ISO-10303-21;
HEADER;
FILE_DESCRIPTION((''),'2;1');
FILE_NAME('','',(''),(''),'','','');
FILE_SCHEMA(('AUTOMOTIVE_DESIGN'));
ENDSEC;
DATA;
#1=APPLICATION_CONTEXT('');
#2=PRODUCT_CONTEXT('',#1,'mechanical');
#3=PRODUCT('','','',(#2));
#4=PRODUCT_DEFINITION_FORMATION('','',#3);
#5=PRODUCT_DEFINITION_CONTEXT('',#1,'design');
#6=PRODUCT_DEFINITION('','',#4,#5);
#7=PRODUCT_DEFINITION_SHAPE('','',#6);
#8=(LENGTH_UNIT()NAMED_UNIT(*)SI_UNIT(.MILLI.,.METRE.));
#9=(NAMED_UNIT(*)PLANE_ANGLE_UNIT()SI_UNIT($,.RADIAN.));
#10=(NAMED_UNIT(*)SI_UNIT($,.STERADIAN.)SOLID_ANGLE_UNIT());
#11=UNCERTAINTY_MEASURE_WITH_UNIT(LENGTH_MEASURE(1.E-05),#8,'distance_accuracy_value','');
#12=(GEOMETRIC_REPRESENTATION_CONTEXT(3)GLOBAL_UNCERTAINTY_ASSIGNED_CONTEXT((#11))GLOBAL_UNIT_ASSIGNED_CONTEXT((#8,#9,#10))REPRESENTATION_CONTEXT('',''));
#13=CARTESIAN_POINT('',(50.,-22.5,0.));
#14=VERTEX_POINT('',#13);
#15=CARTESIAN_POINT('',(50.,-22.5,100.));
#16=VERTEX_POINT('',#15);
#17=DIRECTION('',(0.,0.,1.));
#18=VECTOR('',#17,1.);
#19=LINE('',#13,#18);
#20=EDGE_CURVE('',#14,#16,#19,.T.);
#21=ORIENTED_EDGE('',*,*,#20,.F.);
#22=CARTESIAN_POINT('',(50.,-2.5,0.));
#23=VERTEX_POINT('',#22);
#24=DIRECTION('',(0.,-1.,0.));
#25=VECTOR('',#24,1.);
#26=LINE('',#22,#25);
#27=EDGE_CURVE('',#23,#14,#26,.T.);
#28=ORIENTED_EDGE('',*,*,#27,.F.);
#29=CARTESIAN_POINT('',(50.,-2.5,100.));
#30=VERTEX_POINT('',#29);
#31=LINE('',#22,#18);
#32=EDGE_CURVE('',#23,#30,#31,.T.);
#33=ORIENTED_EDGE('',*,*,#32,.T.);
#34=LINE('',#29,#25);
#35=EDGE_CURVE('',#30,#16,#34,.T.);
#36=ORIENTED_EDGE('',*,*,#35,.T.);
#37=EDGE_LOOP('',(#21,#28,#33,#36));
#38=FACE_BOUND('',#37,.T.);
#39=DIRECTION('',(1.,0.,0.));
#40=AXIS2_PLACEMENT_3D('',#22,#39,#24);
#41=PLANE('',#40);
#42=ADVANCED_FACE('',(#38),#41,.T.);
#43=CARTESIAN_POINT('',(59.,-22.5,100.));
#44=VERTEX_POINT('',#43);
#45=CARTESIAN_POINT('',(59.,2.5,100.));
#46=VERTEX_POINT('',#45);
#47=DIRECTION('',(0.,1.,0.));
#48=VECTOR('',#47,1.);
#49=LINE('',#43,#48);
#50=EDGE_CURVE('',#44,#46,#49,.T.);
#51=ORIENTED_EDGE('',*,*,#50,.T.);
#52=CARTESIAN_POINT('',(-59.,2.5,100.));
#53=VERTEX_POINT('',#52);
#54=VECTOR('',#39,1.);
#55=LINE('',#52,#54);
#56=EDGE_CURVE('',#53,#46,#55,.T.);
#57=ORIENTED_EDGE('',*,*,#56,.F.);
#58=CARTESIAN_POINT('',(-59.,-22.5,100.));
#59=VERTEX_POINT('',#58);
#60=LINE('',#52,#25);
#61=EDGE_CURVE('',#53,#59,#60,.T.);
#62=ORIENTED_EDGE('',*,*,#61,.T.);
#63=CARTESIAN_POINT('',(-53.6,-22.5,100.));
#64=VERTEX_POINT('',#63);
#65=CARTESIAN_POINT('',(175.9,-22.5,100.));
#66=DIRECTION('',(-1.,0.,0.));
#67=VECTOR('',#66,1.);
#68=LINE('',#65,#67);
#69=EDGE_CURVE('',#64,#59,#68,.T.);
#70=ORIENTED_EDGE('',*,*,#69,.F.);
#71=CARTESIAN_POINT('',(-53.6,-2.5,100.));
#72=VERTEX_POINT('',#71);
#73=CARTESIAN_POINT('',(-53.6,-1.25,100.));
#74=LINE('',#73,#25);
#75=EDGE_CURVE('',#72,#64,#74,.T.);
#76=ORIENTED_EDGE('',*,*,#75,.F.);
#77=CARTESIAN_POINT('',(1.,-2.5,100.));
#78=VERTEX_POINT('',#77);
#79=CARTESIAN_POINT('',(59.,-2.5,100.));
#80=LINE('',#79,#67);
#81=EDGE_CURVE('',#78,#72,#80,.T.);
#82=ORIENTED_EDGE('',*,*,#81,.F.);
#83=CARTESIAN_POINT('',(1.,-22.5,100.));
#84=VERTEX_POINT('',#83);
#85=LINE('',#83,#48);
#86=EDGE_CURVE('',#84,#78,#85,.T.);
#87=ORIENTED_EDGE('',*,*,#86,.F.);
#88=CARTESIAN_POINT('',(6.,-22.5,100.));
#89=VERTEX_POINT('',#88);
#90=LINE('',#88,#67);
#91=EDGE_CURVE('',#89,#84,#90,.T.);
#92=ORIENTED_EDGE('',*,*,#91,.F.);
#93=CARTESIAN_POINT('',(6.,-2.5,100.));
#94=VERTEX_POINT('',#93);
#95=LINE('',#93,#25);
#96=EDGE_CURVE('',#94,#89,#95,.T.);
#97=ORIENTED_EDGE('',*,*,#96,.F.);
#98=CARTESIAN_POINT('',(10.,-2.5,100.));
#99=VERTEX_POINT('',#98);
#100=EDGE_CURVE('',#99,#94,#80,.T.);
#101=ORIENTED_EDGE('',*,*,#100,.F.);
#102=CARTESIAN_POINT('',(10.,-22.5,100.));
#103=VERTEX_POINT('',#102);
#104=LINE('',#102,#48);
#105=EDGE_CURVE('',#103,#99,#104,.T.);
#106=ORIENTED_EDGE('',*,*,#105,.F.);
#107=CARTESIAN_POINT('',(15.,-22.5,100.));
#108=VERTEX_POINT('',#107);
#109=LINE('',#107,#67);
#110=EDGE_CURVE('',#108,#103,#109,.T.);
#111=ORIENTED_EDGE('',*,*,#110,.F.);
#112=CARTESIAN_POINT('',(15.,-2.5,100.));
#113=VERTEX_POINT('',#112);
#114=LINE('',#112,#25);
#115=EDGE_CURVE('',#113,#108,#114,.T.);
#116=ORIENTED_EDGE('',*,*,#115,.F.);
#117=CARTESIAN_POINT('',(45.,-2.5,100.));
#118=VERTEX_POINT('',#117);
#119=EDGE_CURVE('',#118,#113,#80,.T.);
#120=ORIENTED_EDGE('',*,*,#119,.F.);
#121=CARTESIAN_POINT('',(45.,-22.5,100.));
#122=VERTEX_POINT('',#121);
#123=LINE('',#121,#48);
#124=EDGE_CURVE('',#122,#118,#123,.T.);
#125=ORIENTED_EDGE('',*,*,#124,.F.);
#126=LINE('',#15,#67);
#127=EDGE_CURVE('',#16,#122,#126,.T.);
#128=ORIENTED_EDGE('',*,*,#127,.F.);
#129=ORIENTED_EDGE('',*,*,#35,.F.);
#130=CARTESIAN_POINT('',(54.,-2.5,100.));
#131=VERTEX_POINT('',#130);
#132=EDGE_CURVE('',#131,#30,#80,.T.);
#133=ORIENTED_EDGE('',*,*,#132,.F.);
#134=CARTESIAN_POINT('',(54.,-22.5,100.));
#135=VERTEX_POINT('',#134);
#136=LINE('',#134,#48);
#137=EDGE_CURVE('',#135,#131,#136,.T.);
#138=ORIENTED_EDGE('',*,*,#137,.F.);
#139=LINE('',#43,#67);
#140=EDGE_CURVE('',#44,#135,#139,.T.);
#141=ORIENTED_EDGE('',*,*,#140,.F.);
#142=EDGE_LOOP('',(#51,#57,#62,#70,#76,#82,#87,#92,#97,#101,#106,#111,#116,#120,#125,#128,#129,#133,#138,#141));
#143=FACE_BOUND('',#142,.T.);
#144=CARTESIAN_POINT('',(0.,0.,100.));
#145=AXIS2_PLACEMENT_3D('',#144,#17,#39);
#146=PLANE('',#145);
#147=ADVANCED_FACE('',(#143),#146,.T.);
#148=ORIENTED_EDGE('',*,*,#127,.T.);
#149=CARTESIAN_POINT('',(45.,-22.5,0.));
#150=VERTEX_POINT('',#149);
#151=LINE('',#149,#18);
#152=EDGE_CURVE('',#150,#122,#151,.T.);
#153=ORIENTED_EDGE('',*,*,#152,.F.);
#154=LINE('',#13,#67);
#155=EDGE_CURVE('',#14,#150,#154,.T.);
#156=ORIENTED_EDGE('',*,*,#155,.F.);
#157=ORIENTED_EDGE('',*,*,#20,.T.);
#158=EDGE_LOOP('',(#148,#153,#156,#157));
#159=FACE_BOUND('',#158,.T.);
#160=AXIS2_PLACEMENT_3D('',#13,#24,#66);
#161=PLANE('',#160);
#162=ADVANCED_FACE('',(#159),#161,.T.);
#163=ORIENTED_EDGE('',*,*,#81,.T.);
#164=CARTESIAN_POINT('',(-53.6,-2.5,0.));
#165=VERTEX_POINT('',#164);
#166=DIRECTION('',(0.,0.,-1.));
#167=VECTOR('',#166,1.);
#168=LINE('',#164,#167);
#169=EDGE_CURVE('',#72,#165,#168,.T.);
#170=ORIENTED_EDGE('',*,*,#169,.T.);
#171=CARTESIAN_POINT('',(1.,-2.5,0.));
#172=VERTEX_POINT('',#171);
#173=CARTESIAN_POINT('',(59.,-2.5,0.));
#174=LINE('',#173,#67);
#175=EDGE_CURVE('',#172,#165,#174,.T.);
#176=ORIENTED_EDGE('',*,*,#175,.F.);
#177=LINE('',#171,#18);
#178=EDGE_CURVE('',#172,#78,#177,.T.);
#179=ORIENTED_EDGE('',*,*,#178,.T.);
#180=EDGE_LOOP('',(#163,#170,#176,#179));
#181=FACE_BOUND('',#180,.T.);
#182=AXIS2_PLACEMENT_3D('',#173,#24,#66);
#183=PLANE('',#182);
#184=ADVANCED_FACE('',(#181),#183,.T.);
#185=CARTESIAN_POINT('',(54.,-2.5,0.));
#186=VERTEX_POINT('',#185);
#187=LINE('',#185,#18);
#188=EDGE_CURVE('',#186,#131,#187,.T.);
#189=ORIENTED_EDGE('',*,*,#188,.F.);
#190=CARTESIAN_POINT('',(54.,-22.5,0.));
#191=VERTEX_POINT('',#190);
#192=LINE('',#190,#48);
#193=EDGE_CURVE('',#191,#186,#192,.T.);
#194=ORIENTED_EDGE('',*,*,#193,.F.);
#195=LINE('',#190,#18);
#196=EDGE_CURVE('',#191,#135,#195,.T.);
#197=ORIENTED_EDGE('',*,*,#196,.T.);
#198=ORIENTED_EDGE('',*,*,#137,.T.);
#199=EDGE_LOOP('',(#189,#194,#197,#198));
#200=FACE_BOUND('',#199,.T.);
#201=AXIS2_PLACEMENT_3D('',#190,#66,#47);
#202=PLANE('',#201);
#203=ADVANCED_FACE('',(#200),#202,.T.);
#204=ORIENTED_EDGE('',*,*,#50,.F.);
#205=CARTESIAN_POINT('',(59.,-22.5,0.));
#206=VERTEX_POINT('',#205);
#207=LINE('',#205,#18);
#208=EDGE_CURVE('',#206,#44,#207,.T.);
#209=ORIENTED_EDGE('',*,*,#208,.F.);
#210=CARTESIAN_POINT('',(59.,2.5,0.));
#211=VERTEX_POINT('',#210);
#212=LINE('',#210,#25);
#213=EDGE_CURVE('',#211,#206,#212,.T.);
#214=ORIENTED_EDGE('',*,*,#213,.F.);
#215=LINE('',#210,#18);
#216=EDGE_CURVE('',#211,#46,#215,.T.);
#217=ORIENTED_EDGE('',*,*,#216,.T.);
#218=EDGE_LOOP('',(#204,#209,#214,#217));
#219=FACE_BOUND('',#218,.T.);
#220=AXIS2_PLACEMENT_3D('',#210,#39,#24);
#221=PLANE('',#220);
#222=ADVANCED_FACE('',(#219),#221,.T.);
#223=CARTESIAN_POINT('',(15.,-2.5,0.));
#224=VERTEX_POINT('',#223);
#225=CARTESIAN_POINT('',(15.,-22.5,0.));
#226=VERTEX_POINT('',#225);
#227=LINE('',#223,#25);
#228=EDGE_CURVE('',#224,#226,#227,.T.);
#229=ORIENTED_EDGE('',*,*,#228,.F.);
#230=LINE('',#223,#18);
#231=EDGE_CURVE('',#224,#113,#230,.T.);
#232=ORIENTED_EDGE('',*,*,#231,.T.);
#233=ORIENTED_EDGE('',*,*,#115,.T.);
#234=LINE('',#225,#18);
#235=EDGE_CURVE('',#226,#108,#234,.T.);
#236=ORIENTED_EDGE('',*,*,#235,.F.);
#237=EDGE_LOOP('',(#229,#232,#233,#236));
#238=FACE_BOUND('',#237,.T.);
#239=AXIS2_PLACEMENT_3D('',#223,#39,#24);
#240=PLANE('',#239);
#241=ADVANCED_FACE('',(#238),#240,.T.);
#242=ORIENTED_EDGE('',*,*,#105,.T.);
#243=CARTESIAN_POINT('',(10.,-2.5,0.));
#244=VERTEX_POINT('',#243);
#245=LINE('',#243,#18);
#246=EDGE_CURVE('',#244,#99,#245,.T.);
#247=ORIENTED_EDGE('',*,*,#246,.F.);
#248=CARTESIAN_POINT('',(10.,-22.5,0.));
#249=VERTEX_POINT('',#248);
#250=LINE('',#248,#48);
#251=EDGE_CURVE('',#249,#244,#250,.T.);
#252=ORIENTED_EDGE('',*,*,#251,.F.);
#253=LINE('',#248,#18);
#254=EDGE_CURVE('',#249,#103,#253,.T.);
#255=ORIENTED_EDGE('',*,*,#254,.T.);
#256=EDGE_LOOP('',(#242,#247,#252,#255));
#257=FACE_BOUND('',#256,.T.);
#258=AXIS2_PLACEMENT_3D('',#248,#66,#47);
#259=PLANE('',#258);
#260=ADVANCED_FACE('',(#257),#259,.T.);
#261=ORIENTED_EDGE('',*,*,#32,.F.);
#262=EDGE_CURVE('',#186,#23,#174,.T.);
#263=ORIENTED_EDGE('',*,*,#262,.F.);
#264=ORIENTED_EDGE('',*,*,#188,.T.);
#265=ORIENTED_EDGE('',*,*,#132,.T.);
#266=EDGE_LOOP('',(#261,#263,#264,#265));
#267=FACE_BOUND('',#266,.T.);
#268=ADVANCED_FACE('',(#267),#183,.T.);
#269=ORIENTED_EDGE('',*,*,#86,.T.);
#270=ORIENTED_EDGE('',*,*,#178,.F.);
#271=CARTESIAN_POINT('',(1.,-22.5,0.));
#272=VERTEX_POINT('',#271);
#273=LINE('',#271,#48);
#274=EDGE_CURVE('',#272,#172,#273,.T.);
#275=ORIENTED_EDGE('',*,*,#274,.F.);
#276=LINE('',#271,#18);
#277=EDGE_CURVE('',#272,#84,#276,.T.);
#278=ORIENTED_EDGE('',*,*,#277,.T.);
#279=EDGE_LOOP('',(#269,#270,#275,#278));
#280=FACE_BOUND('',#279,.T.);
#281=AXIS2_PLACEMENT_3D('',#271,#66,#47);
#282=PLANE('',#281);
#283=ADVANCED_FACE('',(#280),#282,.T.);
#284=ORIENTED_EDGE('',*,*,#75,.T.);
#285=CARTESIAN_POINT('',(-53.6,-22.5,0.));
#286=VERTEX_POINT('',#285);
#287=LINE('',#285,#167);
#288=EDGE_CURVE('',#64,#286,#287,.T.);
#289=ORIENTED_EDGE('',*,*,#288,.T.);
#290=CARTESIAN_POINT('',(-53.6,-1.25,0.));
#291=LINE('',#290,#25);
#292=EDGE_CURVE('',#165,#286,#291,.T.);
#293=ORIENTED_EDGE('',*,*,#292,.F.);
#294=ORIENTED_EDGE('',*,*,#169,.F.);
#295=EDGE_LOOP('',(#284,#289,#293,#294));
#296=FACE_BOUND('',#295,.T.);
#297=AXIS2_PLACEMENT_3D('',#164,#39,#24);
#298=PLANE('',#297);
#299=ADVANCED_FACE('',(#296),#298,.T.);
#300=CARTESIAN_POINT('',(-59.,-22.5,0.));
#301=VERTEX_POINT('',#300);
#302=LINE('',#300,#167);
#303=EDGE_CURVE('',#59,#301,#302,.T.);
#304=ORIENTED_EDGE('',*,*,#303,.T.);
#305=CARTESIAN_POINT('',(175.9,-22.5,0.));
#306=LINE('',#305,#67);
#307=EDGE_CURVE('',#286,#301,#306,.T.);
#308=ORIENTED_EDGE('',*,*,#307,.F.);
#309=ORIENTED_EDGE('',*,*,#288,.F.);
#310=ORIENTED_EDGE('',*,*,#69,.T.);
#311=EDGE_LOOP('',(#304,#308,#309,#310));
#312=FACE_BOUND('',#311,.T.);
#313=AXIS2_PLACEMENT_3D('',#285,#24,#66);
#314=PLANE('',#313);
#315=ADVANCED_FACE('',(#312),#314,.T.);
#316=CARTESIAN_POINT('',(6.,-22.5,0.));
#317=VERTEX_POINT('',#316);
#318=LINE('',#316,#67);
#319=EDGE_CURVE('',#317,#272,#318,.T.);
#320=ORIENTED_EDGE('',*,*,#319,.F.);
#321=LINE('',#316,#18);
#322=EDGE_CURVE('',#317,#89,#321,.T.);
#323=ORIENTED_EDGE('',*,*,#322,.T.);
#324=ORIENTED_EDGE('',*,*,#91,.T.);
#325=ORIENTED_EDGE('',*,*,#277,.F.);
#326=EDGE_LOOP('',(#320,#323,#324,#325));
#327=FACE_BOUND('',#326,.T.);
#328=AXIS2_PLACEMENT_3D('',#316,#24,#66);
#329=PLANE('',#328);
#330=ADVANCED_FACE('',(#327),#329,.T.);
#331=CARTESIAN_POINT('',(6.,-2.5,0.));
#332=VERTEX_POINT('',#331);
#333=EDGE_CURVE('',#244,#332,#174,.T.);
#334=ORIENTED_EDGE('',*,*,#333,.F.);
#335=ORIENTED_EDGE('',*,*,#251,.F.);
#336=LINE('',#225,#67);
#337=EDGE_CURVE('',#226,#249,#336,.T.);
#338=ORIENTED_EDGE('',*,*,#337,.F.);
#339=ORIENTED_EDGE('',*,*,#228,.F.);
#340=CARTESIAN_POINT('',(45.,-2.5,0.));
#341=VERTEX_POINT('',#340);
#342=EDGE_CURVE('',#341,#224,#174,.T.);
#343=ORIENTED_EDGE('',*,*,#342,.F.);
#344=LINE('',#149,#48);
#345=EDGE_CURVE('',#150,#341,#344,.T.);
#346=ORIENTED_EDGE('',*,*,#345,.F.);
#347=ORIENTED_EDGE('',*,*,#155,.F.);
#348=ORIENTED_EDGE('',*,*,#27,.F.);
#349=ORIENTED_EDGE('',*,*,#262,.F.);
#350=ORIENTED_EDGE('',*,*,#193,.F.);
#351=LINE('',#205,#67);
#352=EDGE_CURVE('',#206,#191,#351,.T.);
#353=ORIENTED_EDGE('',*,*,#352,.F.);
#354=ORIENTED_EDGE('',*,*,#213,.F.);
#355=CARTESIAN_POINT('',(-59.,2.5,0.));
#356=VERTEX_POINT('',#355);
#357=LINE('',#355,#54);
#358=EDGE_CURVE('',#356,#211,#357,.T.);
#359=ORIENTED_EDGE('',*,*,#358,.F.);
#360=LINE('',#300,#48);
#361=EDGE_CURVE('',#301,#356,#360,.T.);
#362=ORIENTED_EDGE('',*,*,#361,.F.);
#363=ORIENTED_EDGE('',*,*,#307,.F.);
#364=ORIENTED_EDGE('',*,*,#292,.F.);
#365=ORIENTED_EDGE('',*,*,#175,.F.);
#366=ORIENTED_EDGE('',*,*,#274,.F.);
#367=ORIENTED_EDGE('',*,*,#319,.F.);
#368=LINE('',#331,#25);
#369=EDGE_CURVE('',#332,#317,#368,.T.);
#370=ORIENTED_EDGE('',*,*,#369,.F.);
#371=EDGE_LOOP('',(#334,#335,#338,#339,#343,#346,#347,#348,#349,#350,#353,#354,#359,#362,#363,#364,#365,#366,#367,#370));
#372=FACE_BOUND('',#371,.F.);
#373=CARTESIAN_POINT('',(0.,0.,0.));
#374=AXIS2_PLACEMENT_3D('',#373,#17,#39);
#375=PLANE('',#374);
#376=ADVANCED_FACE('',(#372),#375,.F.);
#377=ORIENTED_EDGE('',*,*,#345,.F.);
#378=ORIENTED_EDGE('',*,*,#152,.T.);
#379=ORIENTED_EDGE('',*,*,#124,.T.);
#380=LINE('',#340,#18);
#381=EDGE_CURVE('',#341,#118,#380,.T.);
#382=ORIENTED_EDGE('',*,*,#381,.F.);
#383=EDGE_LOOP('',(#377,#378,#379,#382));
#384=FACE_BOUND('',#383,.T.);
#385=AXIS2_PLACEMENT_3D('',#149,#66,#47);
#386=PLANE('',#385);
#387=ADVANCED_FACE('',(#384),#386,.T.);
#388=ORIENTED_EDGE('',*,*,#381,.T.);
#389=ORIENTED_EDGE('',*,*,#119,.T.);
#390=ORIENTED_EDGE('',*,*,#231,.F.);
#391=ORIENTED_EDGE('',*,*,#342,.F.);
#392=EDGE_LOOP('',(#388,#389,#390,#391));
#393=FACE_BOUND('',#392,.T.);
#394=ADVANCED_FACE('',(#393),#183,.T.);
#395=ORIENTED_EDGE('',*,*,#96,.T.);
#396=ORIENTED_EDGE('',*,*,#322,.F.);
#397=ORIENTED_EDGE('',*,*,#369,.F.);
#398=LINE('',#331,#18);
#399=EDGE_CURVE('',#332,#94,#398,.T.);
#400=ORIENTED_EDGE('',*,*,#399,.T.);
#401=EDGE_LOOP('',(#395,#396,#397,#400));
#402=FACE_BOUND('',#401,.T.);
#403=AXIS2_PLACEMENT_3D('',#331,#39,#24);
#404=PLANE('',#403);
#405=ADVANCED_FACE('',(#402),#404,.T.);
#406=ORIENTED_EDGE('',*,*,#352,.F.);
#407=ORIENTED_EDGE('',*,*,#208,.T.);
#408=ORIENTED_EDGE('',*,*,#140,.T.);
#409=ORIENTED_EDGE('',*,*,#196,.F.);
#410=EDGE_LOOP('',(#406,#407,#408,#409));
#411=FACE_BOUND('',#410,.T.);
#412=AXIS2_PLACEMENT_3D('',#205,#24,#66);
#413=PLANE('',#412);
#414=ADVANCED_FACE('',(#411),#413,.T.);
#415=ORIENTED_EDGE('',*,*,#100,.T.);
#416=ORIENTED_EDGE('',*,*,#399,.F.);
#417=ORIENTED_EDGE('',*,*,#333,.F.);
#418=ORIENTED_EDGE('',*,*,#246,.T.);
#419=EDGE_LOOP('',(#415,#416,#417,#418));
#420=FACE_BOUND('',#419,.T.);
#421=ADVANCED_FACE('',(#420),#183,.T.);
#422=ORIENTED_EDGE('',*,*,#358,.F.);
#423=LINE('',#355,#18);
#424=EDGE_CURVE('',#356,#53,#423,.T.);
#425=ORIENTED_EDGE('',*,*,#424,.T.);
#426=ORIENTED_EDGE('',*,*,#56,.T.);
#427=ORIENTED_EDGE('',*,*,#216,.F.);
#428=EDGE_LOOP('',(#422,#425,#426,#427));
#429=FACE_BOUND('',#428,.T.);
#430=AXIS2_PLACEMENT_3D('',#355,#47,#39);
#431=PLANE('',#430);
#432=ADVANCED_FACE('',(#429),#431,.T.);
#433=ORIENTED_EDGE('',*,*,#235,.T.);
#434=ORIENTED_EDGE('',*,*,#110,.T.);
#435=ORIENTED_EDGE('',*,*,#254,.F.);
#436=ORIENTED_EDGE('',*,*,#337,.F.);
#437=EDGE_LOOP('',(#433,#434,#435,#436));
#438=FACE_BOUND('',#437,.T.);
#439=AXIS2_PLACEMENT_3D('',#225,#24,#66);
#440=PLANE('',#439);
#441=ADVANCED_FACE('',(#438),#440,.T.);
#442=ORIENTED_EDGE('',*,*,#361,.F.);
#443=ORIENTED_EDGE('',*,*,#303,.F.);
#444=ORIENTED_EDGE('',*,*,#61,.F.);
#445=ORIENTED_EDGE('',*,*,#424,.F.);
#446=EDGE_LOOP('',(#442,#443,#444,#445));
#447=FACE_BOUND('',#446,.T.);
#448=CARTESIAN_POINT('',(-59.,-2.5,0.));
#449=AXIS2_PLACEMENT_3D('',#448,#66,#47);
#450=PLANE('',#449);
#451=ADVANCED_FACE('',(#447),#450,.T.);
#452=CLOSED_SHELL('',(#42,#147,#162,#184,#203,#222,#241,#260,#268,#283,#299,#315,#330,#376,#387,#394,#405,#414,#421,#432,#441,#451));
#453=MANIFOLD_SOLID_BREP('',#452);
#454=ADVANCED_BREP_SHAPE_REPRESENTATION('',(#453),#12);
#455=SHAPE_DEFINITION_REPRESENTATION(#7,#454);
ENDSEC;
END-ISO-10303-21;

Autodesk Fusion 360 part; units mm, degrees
sketch "Sketch6" plane through (0, 0, 0) normal (0, 0, 1) x (1, 0, 0)
  line L0 (59, -2.5) -> (-59, -2.5)
  line L1 (-59, -2.5) -> (-59, 2.5)
  line L2 (-59, 2.5) -> (59, 2.5)
  line L3 (59, 2.5) -> (59, -2.5)
  line L4 (59, -2.5) -> (-59, 2.5) construction
  line L5 (-59, -2.5) -> (59, 2.5) construction
  dimension "d8" = 118
  dimension "d9" = 5
sketch "Sketch7" plane through (0, 0, 0) normal (0, 0, 1) x (1, 0, 0)
  line L0 (-464, -2.5) -> (-459, -2.5)
  line L1 (-459, -2.5) -> (-459, -22.5)
  line L2 (-459, -22.5) -> (-464, -22.5)
  line L3 (-464, -22.5) -> (-464, -2.5)
  line L4 (-459, -22.5) -> (-464, -22.5)
  line L5 (-464, -22.5) -> (-464, -2.5)
  line L6 (-459, -2.5) -> (-459, -22.5)
  line L7 (-464, -2.5) -> (-459, -2.5)
  dimension "d10" = 5
  dimension "d11" = 20
  dimension "d12" = 5
  dimension "d13" = 20
sketch "Sketch8" plane through (0, 0, 0) normal (0, 0, 1) x (1, 0, 0)
  line L0 (136, -2.5) -> (141, -2.5)
  line L1 (141, -2.5) -> (141, -22.5)
  line L2 (141, -22.5) -> (136, -22.5)
  line L3 (136, -22.5) -> (136, -2.5)
  dimension "d14" = 5
  dimension "d15" = 20
sketch "Sketch9" plane through (0, 0, 0) normal (0, 0, 1) x (1, 0, 0)
  line L0 (459, -2.5) -> (464, -2.5)
  line L1 (464, -2.5) -> (464, -22.5)
  line L2 (464, -22.5) -> (459, -22.5)
  line L3 (459, -22.5) -> (459, -2.5)
  dimension "d16" = 5
  dimension "d17" = 20
sketch "Sketch10" plane through (0, 0, 0) normal (0, 0, 1) x (1, 0, 0)
  line L0 (450, -2.5) -> (455, -2.5)
  line L1 (455, -2.5) -> (455, -22.5)
  line L2 (455, -22.5) -> (450, -22.5)
  line L3 (450, -22.5) -> (450, -2.5)
  dimension "d20" = 5
  dimension "d21" = 20
sketch "Sketch11" plane through (0, 0, 0) normal (0, 0, 1) x (1, 0, 0)
  line L0 (145, -2.5) -> (150, -2.5)
  line L1 (150, -2.5) -> (150, -22.5)
  line L2 (150, -22.5) -> (145, -22.5)
  line L3 (145, -22.5) -> (145, -2.5)
  dimension "d22" = 5
  dimension "d23" = 20
extrude "Extrude1" add sketch "Sketch6" along normal blind 100 makes body 1
extrude "Extrude2" add sketch "Sketch7" along normal blind 100 bodies 1 makes body 2
extrude "Extrude3" add sketch "Sketch8" along normal blind 100 bodies 2 1 makes body 3
extrude "Extrude4" add sketch "Sketch11" along normal blind 100 bodies 3 2 1 makes body 4
extrude "Extrude5" add sketch "Sketch10" along normal blind 100 bodies 4 3 2 1 makes body 5
extrude "Extrude6" add sketch "Sketch9" along normal blind 100 bodies 5 4 3 2 1 makes body 6
move_body "Move1" bodies 2 to x (1, 0, 0) y (0, 1, 0) z (0, 0, 1) at (418, 0, 0)
move_face "MoveFace1" by (-0.4, 0, 0) 1 faces at (-46, -15.8333, 33.3333) on bodies 2
move_body "Move2" bodies 5 6 to x (1, 0, 0) y (0, 1, 0) z (0, 0, 1) at (-417.6, 0, 0)
move_body "Move3" bodies 4 3 to x (1, 0, 0) y (0, 1, 0) z (0, 0, 1) at (-140, 0, 0)
move_body "Move4" bodies 3 4 to x (1, 0, 0) y (0, 1, 0) z (0, 0, 1) at (5, 0, 0)
move_body "Move5" bodies 4 3 to x (1, 0, 0) y (0, 1, 0) z (0, 0, 1) at (7, 0, 0)
move_body "Move6" bodies 4 3 to x (1, 0, 0) y (0, 1, 0) z (0, 0, 1) at (4, 0, 0)
move_body "Move7" bodies 2 to x (1, 0, 0) y (0, 1, 0) z (0, 0, 1) at (-12.6, 0, 0)
move_body "Move8" bodies 6 5 to x (1, 0, 0) y (0, 1, 0) z (0, 0, 1) at (12.6, 0, 0)
move_body "Move9" bodies 4 3 to x (1, 0, 0) y (0, 1, 0) z (0, 0, 1) at (-11, 0, 0)
combine "Combine1" operation add target body 1 tool bodies 2 3 4 6 5
